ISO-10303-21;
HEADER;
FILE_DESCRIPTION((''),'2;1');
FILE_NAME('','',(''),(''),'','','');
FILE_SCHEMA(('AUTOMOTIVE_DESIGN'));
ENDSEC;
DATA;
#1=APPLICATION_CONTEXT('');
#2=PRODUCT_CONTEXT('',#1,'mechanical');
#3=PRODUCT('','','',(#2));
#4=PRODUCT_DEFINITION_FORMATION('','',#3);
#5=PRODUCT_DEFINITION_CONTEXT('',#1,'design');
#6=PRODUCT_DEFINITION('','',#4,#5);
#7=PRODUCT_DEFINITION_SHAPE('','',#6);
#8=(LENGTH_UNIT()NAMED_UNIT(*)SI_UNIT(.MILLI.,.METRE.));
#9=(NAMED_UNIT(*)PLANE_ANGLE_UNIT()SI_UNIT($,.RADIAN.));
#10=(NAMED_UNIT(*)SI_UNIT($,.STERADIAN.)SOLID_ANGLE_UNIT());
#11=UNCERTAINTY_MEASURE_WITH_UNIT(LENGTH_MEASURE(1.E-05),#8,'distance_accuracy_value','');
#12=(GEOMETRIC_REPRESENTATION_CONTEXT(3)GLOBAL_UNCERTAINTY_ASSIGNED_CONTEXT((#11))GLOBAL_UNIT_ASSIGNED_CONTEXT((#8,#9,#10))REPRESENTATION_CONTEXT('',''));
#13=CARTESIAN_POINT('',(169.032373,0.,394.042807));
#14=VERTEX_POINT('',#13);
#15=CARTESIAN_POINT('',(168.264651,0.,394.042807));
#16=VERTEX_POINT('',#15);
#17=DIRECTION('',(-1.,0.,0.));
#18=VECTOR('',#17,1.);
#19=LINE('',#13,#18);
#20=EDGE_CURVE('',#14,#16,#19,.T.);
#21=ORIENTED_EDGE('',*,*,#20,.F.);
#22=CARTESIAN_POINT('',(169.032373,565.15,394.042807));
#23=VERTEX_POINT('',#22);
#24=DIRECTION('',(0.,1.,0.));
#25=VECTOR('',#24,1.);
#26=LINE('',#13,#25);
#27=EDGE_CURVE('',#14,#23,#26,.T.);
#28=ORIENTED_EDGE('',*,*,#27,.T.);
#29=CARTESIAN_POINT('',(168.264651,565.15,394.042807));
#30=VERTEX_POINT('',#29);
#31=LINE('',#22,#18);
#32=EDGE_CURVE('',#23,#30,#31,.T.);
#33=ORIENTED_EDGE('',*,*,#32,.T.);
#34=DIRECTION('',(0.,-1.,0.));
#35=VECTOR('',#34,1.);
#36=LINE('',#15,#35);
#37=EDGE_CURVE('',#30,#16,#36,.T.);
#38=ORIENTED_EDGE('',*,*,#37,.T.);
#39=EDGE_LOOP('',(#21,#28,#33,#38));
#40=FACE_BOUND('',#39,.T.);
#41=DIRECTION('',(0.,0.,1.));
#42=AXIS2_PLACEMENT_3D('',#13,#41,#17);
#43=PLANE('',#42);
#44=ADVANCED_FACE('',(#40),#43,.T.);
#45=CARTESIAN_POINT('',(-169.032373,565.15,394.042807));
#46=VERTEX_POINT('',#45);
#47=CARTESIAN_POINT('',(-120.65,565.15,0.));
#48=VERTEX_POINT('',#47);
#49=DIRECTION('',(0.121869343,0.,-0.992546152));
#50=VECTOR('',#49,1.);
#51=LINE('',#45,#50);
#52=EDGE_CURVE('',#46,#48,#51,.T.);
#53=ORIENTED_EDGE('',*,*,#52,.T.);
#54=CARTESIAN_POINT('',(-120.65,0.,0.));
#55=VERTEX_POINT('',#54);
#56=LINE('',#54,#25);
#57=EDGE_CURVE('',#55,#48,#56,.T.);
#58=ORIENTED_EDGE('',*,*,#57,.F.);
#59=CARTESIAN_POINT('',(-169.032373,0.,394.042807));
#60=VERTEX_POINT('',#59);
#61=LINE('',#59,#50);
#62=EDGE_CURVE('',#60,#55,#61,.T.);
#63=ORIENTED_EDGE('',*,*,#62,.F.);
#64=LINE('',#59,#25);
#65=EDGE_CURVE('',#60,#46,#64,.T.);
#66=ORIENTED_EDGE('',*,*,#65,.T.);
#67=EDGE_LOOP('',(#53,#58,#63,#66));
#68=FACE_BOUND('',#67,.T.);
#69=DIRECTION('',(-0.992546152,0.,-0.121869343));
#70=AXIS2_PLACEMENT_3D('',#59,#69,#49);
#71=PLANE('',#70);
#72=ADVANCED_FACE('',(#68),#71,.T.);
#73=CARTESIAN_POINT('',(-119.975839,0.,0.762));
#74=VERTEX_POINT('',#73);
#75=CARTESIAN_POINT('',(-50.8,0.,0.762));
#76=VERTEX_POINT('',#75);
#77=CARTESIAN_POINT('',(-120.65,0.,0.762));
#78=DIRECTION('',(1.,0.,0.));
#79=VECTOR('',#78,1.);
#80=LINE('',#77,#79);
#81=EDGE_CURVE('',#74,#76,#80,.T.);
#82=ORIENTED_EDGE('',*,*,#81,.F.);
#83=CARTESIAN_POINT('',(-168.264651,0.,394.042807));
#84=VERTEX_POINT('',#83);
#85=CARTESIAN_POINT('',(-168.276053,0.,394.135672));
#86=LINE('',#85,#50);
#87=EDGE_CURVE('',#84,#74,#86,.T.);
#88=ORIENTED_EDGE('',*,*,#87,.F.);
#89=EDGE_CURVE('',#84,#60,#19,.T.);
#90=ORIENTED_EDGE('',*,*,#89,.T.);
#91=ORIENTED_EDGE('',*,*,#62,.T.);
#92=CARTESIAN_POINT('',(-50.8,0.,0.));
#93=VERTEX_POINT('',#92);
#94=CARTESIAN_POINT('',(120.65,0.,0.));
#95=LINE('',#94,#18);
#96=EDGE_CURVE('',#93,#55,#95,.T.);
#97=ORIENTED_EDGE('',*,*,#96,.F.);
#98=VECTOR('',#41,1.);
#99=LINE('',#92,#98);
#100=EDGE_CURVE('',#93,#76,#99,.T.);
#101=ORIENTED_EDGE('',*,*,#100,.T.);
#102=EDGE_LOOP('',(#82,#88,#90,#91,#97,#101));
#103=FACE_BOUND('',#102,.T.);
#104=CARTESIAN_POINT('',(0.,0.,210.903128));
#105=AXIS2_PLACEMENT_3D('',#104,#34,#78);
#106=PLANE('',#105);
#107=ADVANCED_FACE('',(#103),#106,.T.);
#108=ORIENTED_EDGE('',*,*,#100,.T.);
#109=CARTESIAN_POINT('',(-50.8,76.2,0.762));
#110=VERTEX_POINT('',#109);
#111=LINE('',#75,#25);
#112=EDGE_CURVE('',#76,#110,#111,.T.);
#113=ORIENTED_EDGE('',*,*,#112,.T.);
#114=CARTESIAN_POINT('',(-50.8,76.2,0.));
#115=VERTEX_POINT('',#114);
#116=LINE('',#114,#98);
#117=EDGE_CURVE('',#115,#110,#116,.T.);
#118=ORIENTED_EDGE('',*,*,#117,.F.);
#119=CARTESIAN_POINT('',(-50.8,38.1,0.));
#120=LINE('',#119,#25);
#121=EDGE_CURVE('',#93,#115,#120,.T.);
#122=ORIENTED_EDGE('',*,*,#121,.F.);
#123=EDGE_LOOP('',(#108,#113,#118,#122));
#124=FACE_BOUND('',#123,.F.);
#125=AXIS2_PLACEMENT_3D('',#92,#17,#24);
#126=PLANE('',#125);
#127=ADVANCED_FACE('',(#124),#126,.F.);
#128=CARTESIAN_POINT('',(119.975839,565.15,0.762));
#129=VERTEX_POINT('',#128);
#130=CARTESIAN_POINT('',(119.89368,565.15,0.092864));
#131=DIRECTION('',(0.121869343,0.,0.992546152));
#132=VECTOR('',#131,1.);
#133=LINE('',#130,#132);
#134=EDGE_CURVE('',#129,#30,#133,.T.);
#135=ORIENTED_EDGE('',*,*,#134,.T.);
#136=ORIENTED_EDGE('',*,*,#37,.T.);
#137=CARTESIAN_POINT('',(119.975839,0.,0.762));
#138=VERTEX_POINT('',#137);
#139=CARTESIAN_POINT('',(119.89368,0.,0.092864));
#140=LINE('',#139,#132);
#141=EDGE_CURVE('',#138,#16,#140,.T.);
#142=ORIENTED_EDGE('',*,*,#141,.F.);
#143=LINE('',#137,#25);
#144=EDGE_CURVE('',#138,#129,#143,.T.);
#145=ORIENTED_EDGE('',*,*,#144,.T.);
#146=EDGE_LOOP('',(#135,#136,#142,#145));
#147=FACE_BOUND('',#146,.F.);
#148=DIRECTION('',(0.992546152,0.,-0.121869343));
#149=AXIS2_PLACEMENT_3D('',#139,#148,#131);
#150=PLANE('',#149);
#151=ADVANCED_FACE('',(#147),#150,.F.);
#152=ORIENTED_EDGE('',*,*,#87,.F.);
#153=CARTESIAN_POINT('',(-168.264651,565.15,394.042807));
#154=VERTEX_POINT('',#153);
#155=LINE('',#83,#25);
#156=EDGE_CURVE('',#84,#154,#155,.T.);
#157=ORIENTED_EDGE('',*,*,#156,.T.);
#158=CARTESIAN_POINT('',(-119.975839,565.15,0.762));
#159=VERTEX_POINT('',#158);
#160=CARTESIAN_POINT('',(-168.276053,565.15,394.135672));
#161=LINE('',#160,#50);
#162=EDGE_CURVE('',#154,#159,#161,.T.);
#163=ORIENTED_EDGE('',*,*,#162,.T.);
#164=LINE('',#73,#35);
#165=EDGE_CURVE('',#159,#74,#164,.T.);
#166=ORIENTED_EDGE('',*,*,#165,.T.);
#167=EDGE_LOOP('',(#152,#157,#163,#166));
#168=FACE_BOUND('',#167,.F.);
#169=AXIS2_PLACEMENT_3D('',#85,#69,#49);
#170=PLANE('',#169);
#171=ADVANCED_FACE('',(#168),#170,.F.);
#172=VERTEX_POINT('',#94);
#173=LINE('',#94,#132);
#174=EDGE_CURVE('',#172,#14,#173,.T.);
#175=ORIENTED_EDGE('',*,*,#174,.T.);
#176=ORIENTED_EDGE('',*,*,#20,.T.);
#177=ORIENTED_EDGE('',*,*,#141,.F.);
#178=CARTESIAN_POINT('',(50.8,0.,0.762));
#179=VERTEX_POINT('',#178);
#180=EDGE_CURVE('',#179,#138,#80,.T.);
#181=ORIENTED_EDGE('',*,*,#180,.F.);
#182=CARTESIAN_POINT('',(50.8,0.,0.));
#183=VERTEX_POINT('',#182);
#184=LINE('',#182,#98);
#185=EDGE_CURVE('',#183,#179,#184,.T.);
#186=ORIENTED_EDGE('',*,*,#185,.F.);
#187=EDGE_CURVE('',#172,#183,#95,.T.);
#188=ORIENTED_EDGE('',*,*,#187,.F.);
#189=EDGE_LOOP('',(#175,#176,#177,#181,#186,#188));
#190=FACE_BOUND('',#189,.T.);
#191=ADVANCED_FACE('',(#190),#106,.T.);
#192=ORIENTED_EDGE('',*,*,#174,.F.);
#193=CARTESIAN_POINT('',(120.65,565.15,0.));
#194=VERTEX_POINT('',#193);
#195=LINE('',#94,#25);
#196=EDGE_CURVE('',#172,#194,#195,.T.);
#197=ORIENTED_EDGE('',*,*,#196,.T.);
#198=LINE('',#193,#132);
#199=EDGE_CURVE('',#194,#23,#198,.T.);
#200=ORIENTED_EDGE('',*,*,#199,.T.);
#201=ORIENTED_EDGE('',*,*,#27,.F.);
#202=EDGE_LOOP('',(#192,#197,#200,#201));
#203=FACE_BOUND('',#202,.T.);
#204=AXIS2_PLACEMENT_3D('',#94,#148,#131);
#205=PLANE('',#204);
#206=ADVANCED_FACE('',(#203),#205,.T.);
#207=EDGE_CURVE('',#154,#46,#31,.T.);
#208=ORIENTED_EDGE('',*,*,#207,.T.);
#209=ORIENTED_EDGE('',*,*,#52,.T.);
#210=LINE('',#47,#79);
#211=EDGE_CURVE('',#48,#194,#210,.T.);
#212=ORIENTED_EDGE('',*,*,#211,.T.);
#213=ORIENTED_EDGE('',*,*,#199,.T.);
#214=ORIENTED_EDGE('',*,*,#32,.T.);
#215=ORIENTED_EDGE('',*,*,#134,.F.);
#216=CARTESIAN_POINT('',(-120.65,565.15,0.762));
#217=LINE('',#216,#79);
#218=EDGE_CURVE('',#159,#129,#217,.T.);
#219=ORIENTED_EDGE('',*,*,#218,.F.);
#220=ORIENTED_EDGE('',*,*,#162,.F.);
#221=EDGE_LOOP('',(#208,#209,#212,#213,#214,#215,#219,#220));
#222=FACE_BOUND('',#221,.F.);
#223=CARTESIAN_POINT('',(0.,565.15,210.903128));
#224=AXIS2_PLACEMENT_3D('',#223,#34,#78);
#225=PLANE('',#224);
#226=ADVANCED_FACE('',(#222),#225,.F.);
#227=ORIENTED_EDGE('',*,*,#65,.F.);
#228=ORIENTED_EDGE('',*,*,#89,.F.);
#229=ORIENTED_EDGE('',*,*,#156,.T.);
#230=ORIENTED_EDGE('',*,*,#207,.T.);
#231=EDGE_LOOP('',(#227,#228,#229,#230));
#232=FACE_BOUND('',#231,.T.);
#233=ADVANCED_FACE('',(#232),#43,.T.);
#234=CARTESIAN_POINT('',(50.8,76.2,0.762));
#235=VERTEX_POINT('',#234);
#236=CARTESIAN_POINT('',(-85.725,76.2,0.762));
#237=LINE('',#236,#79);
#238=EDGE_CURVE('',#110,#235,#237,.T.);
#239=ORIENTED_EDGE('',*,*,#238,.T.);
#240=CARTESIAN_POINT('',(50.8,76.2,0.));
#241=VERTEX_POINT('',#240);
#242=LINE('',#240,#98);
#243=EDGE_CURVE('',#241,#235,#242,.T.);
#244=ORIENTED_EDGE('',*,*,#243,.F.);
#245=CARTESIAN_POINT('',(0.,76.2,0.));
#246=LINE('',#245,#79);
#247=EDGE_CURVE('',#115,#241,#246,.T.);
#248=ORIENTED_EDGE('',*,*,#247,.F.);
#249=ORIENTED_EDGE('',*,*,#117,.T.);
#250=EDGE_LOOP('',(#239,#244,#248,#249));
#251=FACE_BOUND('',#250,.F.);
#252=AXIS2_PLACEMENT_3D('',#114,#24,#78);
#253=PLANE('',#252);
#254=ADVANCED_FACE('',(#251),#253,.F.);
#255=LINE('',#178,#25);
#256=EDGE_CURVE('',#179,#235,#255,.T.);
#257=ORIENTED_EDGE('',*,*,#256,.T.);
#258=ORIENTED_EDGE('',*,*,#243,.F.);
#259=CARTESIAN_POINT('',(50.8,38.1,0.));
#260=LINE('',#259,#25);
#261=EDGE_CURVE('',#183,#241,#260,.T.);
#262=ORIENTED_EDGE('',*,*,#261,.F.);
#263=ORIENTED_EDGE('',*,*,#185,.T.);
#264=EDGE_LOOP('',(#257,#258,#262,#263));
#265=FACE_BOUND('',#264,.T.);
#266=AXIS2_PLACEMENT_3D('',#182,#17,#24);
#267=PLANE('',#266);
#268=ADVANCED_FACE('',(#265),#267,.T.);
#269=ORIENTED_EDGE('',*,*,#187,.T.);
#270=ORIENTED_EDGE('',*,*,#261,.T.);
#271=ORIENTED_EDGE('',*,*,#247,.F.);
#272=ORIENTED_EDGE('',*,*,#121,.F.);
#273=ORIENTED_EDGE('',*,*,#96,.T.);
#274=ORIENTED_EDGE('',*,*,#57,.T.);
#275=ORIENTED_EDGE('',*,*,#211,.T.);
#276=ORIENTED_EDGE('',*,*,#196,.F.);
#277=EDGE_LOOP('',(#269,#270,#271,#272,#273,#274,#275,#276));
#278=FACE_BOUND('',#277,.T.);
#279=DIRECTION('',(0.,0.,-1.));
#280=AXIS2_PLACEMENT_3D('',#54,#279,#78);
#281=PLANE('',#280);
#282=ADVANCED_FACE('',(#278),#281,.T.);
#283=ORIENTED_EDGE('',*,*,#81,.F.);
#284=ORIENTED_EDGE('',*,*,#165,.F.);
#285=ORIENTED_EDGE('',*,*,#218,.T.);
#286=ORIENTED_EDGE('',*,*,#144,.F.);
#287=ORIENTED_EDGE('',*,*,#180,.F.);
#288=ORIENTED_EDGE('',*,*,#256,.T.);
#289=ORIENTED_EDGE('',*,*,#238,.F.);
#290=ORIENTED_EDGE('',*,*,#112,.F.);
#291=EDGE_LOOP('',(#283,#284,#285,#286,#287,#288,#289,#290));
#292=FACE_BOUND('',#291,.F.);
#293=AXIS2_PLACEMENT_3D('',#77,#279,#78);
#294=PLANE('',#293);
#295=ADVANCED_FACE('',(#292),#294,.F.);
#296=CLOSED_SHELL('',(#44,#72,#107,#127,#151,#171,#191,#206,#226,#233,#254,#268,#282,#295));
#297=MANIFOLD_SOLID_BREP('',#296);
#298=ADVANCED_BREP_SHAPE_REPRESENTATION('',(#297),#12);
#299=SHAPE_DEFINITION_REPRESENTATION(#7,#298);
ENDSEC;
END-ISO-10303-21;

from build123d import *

# Parameters (mm, degrees)
F1_DEPTH      = 565.15
F2_T          = -0.762
F3_W          = 101.6
F3_H          = 76.2
F4_DEPTH      = 81.28
F4_DEPTH_BACK = 106.68


with BuildPart() as f1:
    # F0 (on Front) → F1 (new body)
    with BuildSketch(Plane.XZ):
        Polygon((-120.65, 0), (0, 0), (120.65, 0), (169.0323730705, 394.0428072939), (-169.0323730705, 394.0428072939), align=None)
    extrude(amount=-F1_DEPTH)

    # F2
    f2_openings = [f1.faces().sort_by_distance(p)[0] for p in [
        (0, 0, 207.990156),
        (0, 282.575, 394.042807),
        (0, 565.15, 207.990156),
    ]]
    offset(amount=F2_T, openings=f2_openings)

    # F3 (on Top) → F4 (cut, two sides)
    with BuildSketch(Plane.XY) as f4_sk:
        with Locations((0, 38.1)):
            Rectangle(F3_W, F3_H)
    extrude(amount=-F4_DEPTH, mode=Mode.SUBTRACT)
    extrude(f4_sk.sketch, amount=F4_DEPTH_BACK, mode=Mode.SUBTRACT)


solid = f1.part
